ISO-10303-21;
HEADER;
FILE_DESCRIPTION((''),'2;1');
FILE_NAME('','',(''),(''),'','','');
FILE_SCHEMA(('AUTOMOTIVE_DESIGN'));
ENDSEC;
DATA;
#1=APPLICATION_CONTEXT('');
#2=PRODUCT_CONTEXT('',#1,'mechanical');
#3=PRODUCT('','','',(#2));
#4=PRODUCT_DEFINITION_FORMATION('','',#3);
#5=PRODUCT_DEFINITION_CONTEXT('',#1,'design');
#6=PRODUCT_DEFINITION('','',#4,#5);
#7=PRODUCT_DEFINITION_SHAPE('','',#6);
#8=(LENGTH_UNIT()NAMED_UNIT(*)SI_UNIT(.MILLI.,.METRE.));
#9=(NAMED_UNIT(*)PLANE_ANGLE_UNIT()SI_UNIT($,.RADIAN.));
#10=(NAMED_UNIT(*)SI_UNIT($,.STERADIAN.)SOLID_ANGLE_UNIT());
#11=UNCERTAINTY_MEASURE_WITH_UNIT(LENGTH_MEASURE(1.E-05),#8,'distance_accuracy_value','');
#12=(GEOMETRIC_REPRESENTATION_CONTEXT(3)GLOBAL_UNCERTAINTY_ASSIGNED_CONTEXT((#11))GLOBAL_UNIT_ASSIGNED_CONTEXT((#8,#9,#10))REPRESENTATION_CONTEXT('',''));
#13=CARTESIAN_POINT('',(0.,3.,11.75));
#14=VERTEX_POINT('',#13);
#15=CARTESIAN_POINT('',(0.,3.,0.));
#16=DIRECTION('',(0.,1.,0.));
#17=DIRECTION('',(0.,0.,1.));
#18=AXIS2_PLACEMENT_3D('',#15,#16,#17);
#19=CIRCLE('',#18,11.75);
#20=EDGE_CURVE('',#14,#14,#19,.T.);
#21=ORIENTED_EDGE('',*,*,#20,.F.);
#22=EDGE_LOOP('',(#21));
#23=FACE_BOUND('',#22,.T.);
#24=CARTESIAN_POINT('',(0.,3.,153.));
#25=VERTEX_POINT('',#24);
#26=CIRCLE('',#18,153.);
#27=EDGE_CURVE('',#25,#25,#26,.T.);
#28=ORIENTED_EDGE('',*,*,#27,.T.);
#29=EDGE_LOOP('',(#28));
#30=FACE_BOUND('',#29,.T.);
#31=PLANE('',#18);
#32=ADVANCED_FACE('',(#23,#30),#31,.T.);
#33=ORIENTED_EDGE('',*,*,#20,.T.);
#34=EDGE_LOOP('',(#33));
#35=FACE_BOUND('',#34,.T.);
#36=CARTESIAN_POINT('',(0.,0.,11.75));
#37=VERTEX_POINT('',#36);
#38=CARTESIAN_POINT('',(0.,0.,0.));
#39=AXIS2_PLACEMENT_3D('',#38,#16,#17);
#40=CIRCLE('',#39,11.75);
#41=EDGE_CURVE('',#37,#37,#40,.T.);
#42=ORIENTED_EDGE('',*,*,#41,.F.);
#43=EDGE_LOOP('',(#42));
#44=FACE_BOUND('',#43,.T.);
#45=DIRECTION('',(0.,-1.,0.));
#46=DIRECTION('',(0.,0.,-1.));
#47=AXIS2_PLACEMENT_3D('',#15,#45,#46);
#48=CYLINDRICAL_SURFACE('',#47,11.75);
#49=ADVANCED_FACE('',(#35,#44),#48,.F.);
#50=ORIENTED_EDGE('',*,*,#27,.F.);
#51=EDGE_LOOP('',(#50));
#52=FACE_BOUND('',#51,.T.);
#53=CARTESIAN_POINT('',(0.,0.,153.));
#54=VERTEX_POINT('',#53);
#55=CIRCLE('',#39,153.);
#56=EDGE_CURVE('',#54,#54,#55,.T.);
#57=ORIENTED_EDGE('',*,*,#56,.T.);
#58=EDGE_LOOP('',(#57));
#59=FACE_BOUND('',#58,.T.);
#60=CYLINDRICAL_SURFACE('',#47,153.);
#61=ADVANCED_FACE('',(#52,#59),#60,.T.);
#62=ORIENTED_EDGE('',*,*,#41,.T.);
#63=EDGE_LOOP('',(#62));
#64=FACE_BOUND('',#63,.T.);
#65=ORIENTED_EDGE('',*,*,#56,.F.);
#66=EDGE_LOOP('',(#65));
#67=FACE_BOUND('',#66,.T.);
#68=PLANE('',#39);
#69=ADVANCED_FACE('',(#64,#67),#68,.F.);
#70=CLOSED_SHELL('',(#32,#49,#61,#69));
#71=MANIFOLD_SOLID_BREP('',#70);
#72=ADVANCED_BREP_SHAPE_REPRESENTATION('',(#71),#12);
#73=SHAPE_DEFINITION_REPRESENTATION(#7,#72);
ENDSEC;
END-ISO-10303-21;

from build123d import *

# Parameters (mm, degrees)
SKETCH2_R           = 153
SKETCH2_R_2         = 11.75
BOSS_EXTRUDE1_DEPTH = 3


with BuildPart() as part:
    # Sketch2 → Boss-Extrude1 (new body)
    with BuildSketch(Plane(origin=(0, 0, 0), x_dir=(1, 0, 0), z_dir=(0, 1, 0))):
        Circle(SKETCH2_R)
        Circle(SKETCH2_R_2, mode=Mode.SUBTRACT)
    extrude(amount=BOSS_EXTRUDE1_DEPTH)


solid = part.part
